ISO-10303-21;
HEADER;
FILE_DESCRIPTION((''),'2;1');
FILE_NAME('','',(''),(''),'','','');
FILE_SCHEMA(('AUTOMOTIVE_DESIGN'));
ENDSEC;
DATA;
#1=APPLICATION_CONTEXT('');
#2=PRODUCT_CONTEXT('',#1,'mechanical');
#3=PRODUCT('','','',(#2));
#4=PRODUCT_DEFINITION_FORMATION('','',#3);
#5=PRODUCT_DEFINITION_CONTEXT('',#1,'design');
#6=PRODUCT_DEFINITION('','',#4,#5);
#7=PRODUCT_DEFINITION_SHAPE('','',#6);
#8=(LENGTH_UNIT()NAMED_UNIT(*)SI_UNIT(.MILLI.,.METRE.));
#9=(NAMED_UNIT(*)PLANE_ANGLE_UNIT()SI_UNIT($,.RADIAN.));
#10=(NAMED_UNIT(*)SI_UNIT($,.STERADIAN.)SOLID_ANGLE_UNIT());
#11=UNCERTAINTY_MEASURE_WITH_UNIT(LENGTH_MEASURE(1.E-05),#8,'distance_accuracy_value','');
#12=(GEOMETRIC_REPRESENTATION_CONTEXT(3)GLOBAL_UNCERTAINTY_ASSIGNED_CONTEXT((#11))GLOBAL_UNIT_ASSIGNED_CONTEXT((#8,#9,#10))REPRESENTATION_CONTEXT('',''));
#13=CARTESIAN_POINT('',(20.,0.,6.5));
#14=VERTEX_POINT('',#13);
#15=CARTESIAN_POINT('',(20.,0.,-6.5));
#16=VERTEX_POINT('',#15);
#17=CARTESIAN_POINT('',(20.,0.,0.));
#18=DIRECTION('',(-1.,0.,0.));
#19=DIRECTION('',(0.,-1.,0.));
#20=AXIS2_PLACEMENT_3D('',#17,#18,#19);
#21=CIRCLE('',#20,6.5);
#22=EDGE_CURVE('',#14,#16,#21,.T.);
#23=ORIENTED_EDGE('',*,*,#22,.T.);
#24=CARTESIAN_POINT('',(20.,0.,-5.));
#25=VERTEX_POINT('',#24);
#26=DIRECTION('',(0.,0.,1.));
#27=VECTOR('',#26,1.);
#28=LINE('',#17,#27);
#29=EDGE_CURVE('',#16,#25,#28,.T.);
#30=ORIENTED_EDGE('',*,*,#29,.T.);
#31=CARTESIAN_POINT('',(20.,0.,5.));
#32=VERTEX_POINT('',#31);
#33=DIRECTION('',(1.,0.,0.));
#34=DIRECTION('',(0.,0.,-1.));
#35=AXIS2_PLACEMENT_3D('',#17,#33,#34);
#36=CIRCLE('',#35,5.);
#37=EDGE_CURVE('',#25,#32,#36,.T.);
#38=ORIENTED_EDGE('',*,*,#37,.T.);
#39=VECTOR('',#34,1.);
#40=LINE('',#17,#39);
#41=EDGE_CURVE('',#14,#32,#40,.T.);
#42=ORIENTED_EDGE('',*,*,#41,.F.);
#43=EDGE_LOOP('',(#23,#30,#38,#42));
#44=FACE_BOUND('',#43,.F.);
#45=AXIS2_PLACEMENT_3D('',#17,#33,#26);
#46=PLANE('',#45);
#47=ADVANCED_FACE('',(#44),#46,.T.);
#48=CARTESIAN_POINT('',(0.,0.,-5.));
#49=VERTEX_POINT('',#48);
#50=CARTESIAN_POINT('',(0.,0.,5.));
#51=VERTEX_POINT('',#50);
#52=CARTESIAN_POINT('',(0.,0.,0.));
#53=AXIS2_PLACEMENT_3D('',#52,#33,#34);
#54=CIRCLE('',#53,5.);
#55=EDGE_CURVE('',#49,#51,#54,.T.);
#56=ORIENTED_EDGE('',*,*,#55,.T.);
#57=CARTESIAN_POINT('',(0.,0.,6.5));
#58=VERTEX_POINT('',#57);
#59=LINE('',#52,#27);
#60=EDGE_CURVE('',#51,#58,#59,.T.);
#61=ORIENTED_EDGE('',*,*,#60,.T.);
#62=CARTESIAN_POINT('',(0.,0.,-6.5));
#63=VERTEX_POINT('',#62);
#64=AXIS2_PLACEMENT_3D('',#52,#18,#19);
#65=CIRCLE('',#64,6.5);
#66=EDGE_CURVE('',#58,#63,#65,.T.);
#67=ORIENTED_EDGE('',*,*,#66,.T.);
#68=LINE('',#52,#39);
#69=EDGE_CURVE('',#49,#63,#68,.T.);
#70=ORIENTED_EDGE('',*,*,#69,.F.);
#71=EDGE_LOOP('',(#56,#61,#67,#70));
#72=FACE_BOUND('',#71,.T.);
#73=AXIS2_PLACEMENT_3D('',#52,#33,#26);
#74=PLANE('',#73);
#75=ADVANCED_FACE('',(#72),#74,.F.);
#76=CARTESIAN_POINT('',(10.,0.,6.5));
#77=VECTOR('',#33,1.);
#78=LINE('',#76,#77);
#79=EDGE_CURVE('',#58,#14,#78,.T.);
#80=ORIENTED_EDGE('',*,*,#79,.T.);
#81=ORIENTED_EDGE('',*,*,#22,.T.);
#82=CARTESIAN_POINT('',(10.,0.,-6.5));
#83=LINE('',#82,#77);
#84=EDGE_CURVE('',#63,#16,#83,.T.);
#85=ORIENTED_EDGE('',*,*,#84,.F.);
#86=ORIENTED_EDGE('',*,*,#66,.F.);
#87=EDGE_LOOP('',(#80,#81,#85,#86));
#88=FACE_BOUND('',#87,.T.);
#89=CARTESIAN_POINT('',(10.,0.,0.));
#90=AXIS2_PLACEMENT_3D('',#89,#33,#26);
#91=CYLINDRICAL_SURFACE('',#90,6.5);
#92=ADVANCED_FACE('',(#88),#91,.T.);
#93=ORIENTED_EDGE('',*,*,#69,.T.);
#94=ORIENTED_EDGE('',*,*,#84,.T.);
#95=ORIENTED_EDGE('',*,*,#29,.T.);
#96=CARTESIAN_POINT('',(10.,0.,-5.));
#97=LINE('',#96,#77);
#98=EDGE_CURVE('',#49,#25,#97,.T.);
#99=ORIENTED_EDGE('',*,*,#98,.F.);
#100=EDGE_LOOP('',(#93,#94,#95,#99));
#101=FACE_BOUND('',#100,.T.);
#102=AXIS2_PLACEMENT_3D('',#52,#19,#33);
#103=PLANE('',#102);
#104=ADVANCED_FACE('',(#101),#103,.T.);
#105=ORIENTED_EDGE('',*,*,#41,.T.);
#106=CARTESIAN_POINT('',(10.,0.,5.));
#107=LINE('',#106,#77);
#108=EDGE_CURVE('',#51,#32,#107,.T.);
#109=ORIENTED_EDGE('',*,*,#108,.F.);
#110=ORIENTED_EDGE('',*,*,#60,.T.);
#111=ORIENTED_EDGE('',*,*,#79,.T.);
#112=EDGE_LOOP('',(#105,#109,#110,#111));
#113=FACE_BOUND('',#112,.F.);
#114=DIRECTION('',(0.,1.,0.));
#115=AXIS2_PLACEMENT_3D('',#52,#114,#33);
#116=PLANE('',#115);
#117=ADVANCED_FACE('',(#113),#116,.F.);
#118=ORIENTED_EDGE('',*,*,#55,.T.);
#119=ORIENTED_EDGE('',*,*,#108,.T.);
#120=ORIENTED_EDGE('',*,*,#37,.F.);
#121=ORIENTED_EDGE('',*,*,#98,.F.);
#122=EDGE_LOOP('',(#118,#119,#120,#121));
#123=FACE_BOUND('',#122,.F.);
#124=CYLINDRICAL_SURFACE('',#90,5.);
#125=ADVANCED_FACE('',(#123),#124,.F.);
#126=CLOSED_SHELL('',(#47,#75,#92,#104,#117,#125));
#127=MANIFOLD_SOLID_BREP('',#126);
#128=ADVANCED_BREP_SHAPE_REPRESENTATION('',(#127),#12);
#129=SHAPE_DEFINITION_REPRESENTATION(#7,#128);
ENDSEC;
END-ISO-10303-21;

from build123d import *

# Parameters (mm, degrees)
F0_W          = 20
F0_H          = 1.5
F2_W          = 22.9575727135
F2_H          = 8.5180262104
F3_DEPTH      = 6.501
F3_DEPTH_BACK = 6.501


with BuildPart() as f1:
    # F0 (on Front) → F1 (revolve)
    with BuildSketch(Plane.XZ):
        with Locations((10, 5.75)):
            Rectangle(F0_W, F0_H)
    revolve(axis=Axis((9.7389571611, 0, 0), (1, 0, 0)))

    # F2 (on Top) → F3 (cut, two sides)
    with BuildSketch(Plane.XY) as f3_sk:
        with Locations((11.4787863567, -4.2590131052)):
            Rectangle(F2_W, F2_H)
    extrude(amount=-F3_DEPTH, mode=Mode.SUBTRACT)
    extrude(f3_sk.sketch, amount=F3_DEPTH_BACK, mode=Mode.SUBTRACT)


solid = f1.part
